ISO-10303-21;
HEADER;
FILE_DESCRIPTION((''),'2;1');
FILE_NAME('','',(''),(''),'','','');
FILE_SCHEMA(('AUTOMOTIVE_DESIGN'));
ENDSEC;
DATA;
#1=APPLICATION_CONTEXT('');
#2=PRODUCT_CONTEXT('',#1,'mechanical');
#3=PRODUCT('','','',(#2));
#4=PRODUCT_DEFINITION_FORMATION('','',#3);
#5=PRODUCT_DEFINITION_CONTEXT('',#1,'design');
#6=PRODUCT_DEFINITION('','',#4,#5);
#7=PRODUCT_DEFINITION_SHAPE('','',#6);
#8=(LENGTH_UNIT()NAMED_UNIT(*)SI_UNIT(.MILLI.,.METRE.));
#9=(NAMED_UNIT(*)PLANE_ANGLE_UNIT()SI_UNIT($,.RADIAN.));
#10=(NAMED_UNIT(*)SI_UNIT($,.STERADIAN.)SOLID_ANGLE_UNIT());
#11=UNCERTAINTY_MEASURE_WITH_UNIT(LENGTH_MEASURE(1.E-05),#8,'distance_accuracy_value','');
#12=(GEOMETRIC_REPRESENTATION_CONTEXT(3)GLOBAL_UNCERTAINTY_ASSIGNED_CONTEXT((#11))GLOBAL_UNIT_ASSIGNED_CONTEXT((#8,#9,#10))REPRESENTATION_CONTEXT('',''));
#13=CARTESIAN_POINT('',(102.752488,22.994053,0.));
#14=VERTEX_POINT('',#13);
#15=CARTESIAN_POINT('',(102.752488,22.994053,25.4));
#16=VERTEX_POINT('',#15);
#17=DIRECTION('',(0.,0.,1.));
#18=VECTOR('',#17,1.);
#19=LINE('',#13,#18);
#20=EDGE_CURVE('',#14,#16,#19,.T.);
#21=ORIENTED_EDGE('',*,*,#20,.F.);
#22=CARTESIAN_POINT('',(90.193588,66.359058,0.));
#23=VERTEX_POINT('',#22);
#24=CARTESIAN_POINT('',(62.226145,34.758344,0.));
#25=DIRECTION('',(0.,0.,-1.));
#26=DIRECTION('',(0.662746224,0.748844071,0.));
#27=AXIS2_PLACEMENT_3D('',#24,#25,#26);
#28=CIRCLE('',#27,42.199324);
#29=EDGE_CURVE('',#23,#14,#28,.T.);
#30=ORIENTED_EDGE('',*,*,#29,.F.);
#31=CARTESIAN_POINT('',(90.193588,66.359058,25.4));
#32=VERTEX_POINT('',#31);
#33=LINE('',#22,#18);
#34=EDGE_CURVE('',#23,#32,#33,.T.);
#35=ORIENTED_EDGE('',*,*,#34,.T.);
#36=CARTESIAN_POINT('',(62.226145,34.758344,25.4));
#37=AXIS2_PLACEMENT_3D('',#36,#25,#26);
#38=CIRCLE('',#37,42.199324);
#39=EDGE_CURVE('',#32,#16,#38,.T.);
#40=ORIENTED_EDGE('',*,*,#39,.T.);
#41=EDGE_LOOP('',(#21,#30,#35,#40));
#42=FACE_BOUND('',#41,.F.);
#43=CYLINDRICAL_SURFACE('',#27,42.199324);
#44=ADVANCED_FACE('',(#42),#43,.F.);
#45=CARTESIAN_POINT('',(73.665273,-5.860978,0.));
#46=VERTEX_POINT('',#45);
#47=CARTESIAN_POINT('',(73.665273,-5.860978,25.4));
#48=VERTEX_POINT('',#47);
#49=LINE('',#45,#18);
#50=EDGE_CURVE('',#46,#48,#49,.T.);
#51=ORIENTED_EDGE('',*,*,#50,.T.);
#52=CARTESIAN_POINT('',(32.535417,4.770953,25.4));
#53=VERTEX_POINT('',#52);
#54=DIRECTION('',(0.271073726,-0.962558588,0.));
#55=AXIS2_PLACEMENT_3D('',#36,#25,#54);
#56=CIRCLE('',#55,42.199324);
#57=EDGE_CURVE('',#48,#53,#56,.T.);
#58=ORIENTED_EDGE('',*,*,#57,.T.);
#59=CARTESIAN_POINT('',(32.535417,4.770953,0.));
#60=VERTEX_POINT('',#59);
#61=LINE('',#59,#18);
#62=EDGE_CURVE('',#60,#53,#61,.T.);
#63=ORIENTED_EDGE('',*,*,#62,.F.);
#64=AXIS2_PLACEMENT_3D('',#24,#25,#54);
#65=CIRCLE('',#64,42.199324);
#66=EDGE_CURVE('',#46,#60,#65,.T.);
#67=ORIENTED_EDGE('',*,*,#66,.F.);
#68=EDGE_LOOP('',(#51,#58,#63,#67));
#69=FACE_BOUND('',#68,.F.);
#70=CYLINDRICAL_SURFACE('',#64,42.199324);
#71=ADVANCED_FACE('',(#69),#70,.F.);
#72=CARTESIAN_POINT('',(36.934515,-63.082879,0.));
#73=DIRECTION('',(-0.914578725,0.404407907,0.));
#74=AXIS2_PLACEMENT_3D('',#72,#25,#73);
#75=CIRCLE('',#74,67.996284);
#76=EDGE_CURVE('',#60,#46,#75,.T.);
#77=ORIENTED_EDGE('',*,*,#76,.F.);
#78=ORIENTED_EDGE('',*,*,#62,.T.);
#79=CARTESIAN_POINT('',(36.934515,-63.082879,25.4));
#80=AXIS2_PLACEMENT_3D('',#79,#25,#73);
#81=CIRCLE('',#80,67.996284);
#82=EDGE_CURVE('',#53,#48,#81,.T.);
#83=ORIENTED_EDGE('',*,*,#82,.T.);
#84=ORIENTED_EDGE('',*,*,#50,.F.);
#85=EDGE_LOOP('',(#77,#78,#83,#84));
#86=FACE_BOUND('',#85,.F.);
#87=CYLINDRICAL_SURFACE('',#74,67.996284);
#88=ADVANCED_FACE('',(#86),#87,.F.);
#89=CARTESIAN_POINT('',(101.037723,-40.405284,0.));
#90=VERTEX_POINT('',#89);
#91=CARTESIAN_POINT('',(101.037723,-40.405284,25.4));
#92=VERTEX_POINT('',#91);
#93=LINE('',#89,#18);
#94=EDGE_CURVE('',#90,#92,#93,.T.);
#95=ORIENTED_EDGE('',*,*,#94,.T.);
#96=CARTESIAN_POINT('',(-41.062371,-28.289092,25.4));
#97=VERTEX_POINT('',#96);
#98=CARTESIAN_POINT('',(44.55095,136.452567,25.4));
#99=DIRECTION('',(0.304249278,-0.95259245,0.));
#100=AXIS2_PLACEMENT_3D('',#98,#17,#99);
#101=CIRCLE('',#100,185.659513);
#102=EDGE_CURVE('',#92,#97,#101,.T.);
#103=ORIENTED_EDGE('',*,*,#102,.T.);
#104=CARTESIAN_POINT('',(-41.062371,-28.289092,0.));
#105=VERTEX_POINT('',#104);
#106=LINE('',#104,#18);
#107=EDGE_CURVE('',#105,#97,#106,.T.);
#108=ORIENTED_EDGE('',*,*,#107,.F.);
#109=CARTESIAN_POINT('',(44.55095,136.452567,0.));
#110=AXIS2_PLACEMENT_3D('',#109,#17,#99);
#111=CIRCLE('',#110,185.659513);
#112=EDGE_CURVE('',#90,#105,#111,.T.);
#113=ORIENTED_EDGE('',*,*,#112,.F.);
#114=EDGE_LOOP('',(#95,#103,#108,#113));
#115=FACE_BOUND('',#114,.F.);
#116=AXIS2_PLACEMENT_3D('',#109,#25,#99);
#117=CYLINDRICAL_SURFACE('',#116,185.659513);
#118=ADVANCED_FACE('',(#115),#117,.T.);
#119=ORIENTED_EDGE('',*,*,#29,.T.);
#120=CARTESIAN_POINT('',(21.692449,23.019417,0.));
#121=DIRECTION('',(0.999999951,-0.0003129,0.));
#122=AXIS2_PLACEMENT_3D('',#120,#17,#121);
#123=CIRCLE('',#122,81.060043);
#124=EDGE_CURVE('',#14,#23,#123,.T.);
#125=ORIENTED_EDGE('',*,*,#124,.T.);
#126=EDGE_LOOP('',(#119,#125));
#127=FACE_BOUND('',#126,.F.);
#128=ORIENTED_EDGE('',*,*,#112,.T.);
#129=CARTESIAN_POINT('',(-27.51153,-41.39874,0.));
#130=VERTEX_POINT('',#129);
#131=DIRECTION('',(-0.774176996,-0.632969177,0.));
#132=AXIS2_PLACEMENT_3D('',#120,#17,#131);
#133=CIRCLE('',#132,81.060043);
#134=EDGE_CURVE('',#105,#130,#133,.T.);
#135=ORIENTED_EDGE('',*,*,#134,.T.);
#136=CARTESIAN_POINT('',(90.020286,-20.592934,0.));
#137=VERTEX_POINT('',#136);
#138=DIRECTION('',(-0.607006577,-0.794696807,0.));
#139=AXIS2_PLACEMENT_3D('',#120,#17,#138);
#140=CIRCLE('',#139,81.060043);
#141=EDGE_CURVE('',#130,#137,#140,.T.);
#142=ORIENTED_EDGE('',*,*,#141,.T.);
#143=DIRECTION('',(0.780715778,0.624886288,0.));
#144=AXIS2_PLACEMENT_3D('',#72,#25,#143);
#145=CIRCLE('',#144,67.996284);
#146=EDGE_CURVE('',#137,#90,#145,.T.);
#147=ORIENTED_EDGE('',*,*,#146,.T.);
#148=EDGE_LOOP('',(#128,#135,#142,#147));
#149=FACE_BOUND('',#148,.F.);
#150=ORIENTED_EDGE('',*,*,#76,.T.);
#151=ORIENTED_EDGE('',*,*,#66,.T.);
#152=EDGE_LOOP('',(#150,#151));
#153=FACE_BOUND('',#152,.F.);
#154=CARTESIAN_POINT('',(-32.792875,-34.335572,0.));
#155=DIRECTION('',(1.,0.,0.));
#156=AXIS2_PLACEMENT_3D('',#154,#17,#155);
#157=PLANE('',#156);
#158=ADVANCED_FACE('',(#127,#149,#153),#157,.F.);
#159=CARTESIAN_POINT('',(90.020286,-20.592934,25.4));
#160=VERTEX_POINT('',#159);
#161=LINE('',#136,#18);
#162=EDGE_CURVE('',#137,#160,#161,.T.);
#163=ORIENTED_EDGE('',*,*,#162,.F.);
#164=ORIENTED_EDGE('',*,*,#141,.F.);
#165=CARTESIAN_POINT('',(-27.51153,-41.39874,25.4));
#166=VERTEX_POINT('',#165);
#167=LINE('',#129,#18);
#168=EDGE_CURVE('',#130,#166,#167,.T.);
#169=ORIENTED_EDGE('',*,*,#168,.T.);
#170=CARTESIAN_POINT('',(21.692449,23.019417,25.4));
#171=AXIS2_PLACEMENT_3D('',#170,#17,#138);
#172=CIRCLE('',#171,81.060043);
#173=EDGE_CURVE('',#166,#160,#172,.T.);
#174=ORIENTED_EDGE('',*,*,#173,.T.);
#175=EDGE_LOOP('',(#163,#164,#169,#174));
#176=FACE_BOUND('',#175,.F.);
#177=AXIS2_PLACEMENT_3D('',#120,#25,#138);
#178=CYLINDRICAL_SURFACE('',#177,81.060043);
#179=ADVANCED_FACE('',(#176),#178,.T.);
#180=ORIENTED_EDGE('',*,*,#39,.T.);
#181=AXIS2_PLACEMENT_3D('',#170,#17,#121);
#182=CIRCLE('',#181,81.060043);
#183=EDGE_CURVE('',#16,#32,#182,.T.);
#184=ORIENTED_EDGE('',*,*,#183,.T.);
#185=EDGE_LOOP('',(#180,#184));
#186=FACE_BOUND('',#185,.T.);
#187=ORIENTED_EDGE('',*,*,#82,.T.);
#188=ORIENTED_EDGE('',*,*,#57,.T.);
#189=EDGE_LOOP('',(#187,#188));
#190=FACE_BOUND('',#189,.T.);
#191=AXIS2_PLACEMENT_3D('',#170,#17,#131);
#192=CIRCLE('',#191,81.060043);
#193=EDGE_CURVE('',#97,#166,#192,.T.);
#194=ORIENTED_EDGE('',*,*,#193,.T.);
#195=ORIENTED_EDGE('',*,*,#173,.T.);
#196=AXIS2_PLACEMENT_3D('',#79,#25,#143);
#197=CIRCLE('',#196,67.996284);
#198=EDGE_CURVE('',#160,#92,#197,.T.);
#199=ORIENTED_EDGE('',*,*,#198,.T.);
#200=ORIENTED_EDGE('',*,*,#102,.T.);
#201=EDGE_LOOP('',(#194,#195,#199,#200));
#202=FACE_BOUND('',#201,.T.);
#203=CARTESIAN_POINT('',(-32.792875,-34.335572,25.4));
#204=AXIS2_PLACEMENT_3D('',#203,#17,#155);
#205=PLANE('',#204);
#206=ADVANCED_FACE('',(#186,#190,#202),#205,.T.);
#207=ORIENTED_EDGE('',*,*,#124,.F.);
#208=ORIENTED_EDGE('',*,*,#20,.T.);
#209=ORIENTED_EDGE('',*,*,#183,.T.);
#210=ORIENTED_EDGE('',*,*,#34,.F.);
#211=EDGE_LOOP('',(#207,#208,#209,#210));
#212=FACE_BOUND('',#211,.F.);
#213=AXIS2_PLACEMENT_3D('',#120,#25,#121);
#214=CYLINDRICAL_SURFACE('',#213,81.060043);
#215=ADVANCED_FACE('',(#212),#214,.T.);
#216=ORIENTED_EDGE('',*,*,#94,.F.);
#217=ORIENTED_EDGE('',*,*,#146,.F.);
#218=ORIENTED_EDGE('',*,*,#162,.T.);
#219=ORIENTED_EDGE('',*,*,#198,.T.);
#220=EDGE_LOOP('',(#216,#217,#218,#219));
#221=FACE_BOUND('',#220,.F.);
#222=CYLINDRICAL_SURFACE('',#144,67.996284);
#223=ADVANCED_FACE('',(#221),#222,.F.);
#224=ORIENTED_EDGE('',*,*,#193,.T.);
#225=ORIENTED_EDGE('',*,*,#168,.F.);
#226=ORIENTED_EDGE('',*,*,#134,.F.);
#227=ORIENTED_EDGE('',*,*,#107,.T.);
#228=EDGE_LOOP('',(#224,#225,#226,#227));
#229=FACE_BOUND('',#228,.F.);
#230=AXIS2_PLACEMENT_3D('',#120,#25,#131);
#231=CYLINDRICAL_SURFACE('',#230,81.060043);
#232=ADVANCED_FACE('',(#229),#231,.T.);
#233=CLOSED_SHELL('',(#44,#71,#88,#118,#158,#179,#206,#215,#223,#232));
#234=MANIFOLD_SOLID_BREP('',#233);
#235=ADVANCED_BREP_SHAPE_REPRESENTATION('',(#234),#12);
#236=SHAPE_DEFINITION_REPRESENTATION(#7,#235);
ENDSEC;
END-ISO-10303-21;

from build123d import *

# Parameters (mm, degrees)
F2_DEPTH = 25.4


with BuildPart() as f2:
    # F1 (on face) → F2 (new body)
    with BuildSketch(Plane.XY):
        with BuildLine():
            ThreePointArc((-25.2534394908, -35.5846442345), (-33.2434744834, -32.1222898493), (-41.0623713196, -28.2890915324))
            ThreePointArc((-41.0623713196, -28.2890915324), (-34.6694078728, -35.2392442574), (-27.5115300398, -41.3987401346))
            ThreePointArc((-27.5115300398, -41.3987401346), (-26.4491846953, -38.4657871282), (-25.2534394908, -35.5846442345))
        make_face()
        with BuildLine():
            ThreePointArc((101.0377228106, -40.4052836081), (60.3240118592, 321.4408513122), (-41.0623713196, -28.2890915324))
            ThreePointArc((-41.0623713196, -28.2890915324), (-33.2434744834, -32.1222898493), (-25.2534394908, -35.5846442345))
            ThreePointArc((-25.2534394908, -35.5846442345), (-1.9962240549, -7.3344068145), (32.5354171739, 4.7709530792))
            ThreePointArc((32.5354171739, 4.7709530792), (53.9519636073, 2.7494916851), (73.6652733787, -5.8609778232))
            ThreePointArc((73.6652733787, -5.8609778232), (91.9457639471, 4.7995852589), (102.7524875992, 22.9940532246))
            ThreePointArc((102.7524875992, 22.9940532246), (99.5008080427, 0.290805784), (90.0202864782, -20.5929337076))
            ThreePointArc((90.0202864782, -20.5929337076), (96.3604901181, -30.0367284599), (101.0377228106, -40.405283608))
        make_face()
        with BuildLine():
            ThreePointArc((90.1935880347, 66.3590575906), (102.7598417601, 46.4972709928), (102.7524875992, 22.9940532246))
            ThreePointArc((102.7524875992, 22.9940532246), (99.5530126023, 45.5685441103), (90.1935880347, 66.3590575906))
        make_face(mode=Mode.SUBTRACT)
        with BuildLine():
            ThreePointArc((-25.2534394908, -35.5846442345), (-26.4491846953, -38.4657871282), (-27.5115300398, -41.3987401346))
            ThreePointArc((-27.5115300398, -41.3987401346), (35.8222361629, -56.7996260508), (90.0202864782, -20.5929337076))
            ThreePointArc((90.0202864782, -20.5929337076), (82.4428646719, -12.5607581528), (73.6652733787, -5.8609778232))
            ThreePointArc((73.6652733787, -5.8609778232), (51.6649088864, -6.0980293026), (32.5354171739, 4.7709530792))
            ThreePointArc((32.5354171739, 4.7709530792), (-1.9962240549, -7.3344068145), (-25.2534394908, -35.5846442345))
        make_face()
        with BuildLine():
            ThreePointArc((73.6652733787, -5.8609778232), (82.4428646719, -12.5607581528), (90.0202864782, -20.5929337076))
            ThreePointArc((90.0202864782, -20.5929337076), (99.5008080427, 0.290805784), (102.7524875992, 22.9940532246))
            ThreePointArc((102.7524875992, 22.9940532246), (91.9457639471, 4.7995852589), (73.6652733787, -5.8609778232))
        make_face()
    extrude(amount=F2_DEPTH)


solid = f2.part
